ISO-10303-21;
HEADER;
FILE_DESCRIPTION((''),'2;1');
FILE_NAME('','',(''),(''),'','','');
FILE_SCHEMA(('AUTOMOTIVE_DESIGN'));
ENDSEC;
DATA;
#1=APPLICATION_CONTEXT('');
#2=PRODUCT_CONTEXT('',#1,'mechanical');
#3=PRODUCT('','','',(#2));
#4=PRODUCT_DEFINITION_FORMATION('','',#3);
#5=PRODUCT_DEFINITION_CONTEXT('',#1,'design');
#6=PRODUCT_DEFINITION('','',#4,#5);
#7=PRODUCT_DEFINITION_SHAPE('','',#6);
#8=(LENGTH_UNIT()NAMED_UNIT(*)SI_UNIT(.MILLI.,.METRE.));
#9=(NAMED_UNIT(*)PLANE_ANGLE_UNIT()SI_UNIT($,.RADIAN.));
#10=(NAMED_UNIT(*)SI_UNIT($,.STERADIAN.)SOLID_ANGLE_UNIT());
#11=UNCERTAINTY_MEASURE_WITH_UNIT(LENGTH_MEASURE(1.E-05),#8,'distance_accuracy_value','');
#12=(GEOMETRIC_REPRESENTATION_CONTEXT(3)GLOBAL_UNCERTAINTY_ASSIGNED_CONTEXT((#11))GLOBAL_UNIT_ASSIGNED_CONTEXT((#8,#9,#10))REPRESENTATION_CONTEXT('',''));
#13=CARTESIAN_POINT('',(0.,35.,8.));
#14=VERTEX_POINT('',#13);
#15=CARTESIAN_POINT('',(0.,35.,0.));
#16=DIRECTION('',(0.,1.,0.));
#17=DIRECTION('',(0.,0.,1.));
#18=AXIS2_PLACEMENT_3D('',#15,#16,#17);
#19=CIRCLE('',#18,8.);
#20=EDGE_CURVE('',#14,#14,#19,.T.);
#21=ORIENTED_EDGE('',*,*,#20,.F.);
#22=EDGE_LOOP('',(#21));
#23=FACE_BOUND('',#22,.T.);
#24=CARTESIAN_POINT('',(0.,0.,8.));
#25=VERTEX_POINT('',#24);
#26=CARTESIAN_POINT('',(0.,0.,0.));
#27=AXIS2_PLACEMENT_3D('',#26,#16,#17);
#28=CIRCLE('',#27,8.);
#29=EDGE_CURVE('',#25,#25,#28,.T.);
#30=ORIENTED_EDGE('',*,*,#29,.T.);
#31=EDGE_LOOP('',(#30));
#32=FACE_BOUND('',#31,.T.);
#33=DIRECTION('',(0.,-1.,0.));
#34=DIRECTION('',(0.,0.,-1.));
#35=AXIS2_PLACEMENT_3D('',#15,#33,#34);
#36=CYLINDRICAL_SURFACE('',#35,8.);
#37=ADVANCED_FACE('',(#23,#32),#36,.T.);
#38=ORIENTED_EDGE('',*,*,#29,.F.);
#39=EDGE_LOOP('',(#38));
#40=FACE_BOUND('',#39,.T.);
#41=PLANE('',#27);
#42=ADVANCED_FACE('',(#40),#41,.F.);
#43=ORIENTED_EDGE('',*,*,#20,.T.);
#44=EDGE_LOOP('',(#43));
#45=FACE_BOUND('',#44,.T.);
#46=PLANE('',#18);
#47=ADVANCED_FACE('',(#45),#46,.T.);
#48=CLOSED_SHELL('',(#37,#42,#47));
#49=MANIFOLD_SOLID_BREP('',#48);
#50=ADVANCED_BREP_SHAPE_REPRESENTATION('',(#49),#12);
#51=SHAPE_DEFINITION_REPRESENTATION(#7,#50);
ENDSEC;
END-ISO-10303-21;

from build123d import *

# Parameters (mm, degrees)
SKETCH_1_R      = 8
EXTRUDE_1_DEPTH = 35


with BuildPart() as part:
    # 草图1 → 凸台-拉伸1 (new body)
    with BuildSketch(Plane(origin=(0, 0, 0), x_dir=(1, 0, 0), z_dir=(0, 1, 0))):
        with Locations(Location((0, 0, 0), (0, 0, 270))):
            Circle(SKETCH_1_R)
    extrude(amount=EXTRUDE_1_DEPTH)


solid = part.part
